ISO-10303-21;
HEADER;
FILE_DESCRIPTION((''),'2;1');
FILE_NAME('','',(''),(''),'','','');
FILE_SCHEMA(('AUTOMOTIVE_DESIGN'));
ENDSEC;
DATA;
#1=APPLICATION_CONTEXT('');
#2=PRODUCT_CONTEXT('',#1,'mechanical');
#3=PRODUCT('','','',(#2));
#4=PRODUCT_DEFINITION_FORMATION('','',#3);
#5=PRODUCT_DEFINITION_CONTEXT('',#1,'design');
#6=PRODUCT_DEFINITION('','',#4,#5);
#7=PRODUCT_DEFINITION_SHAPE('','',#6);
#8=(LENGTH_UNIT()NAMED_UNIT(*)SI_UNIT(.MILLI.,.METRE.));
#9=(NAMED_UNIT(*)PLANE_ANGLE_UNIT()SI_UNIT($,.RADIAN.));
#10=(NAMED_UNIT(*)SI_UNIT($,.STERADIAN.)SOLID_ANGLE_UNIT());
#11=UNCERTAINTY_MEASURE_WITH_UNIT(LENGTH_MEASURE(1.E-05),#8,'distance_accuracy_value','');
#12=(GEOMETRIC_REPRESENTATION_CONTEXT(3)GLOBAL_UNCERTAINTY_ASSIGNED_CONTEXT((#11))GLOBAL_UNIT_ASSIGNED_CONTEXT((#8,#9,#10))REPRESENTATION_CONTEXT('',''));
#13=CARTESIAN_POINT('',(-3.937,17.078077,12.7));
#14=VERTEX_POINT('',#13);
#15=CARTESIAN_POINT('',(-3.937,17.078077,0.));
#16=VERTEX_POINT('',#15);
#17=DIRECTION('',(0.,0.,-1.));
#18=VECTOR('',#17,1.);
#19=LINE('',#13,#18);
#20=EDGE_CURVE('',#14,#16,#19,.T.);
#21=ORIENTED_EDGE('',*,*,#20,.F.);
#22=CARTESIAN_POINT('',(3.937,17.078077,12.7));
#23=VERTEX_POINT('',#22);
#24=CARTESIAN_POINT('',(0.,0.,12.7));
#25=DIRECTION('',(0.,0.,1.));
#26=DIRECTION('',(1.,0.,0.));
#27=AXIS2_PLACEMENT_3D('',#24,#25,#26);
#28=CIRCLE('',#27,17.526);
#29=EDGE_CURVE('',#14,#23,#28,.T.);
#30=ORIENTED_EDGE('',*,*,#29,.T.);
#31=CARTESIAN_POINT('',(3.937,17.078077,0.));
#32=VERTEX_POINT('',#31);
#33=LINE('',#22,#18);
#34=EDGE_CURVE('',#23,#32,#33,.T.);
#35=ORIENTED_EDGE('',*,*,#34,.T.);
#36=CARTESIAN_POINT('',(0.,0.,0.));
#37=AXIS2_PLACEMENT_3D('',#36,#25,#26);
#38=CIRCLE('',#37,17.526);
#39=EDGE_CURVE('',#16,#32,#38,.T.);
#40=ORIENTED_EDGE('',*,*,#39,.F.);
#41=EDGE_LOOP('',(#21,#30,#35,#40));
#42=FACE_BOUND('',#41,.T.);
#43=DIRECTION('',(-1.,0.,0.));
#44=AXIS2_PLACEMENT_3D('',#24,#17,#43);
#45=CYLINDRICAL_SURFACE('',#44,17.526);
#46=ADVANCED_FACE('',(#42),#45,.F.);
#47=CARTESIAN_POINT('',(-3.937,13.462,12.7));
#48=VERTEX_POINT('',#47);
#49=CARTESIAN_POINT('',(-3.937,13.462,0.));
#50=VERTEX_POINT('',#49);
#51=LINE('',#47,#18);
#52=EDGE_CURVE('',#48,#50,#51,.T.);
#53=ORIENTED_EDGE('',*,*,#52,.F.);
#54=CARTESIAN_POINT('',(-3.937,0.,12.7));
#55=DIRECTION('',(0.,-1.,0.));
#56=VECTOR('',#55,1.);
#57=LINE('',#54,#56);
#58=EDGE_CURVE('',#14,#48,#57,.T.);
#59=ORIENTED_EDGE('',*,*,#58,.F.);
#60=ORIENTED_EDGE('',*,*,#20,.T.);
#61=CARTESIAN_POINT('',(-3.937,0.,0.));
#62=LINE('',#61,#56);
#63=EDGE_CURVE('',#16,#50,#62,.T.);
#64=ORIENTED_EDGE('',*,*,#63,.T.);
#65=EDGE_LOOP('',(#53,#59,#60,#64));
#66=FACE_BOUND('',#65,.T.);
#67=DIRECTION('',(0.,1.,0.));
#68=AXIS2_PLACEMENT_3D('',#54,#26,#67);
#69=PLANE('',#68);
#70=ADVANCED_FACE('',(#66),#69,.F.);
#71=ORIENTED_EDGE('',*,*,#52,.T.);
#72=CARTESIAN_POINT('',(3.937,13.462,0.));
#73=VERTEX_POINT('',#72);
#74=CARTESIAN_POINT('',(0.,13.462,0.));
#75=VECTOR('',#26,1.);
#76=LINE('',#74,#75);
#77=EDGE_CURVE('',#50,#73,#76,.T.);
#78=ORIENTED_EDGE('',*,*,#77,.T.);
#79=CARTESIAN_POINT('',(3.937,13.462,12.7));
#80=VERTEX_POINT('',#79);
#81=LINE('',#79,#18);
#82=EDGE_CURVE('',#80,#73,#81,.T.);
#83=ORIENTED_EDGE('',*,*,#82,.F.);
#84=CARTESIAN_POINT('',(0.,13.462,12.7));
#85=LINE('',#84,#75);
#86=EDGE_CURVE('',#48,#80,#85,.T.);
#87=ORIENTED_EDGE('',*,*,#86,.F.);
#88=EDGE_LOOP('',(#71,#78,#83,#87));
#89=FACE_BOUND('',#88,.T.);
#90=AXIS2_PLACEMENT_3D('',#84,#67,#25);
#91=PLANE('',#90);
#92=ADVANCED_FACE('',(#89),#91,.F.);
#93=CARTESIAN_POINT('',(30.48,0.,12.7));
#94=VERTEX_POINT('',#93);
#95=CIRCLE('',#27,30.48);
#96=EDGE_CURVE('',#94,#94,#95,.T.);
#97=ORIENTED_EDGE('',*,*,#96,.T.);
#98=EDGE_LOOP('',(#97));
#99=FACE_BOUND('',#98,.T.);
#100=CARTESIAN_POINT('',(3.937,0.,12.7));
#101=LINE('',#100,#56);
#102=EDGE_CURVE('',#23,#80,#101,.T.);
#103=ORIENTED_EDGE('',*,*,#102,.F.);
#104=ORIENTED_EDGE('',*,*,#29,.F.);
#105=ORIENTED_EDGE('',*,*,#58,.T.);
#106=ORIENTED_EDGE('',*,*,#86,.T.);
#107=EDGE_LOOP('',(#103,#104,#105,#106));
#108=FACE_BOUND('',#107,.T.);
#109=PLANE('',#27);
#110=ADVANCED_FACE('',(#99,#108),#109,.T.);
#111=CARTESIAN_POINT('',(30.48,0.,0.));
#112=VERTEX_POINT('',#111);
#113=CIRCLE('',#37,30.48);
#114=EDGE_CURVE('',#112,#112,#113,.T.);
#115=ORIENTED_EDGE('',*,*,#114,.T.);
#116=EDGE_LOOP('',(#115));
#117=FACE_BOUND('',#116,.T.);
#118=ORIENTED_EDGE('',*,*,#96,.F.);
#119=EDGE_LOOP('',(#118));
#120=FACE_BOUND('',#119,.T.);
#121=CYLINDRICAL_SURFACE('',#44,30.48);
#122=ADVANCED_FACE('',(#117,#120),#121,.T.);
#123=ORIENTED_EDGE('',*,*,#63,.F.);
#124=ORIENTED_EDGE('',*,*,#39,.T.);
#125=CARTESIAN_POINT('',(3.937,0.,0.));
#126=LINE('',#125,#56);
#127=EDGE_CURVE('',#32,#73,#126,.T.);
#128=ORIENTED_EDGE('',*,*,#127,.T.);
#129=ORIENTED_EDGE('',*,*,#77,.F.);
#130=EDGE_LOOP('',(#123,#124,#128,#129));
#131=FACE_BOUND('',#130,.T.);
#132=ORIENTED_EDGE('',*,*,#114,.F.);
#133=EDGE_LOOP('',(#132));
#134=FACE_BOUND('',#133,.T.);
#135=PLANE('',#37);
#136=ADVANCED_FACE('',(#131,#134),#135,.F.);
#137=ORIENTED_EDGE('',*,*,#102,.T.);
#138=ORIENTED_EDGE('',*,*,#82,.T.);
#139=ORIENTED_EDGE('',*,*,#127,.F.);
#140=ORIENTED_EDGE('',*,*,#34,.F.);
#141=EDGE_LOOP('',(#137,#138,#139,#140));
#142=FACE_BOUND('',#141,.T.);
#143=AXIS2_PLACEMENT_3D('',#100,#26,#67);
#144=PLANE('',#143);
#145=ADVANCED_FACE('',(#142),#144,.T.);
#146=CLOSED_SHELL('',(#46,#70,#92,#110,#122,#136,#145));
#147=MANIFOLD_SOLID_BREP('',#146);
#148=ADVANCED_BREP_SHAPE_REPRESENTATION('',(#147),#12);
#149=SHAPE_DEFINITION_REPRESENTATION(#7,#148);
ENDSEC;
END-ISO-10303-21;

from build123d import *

# Parameters (mm, degrees)
SKETCH1_R           = 30.48
SKETCH1_W           = 7.874
SKETCH1_H           = 8.128
BOSS_EXTRUDE1_DEPTH = 12.7


with BuildPart() as part:
    # Sketch1 → Boss-Extrude1 (new body)
    # profile 1 of 2: a face of its own
    with BuildSketch(Plane.XY):
        Circle(SKETCH1_R)
        with BuildLine():
            Line((-3.937, 17.078076795), (-3.937, 21.59))
            Line((-3.937, 21.59), (3.937, 21.59))
            Line((3.937, 21.59), (3.937, 17.078076795))
            ThreePointArc((3.937, 17.078076795), (0, -17.526), (-3.937, 17.078076795))
        make_face(mode=Mode.SUBTRACT)
    # profile 2 of 2: a face of its own
    with BuildSketch(Plane.XY):
        with Locations((0, 17.526)):
            Rectangle(SKETCH1_W, SKETCH1_H)
    extrude(amount=BOSS_EXTRUDE1_DEPTH)


solid = part.part
